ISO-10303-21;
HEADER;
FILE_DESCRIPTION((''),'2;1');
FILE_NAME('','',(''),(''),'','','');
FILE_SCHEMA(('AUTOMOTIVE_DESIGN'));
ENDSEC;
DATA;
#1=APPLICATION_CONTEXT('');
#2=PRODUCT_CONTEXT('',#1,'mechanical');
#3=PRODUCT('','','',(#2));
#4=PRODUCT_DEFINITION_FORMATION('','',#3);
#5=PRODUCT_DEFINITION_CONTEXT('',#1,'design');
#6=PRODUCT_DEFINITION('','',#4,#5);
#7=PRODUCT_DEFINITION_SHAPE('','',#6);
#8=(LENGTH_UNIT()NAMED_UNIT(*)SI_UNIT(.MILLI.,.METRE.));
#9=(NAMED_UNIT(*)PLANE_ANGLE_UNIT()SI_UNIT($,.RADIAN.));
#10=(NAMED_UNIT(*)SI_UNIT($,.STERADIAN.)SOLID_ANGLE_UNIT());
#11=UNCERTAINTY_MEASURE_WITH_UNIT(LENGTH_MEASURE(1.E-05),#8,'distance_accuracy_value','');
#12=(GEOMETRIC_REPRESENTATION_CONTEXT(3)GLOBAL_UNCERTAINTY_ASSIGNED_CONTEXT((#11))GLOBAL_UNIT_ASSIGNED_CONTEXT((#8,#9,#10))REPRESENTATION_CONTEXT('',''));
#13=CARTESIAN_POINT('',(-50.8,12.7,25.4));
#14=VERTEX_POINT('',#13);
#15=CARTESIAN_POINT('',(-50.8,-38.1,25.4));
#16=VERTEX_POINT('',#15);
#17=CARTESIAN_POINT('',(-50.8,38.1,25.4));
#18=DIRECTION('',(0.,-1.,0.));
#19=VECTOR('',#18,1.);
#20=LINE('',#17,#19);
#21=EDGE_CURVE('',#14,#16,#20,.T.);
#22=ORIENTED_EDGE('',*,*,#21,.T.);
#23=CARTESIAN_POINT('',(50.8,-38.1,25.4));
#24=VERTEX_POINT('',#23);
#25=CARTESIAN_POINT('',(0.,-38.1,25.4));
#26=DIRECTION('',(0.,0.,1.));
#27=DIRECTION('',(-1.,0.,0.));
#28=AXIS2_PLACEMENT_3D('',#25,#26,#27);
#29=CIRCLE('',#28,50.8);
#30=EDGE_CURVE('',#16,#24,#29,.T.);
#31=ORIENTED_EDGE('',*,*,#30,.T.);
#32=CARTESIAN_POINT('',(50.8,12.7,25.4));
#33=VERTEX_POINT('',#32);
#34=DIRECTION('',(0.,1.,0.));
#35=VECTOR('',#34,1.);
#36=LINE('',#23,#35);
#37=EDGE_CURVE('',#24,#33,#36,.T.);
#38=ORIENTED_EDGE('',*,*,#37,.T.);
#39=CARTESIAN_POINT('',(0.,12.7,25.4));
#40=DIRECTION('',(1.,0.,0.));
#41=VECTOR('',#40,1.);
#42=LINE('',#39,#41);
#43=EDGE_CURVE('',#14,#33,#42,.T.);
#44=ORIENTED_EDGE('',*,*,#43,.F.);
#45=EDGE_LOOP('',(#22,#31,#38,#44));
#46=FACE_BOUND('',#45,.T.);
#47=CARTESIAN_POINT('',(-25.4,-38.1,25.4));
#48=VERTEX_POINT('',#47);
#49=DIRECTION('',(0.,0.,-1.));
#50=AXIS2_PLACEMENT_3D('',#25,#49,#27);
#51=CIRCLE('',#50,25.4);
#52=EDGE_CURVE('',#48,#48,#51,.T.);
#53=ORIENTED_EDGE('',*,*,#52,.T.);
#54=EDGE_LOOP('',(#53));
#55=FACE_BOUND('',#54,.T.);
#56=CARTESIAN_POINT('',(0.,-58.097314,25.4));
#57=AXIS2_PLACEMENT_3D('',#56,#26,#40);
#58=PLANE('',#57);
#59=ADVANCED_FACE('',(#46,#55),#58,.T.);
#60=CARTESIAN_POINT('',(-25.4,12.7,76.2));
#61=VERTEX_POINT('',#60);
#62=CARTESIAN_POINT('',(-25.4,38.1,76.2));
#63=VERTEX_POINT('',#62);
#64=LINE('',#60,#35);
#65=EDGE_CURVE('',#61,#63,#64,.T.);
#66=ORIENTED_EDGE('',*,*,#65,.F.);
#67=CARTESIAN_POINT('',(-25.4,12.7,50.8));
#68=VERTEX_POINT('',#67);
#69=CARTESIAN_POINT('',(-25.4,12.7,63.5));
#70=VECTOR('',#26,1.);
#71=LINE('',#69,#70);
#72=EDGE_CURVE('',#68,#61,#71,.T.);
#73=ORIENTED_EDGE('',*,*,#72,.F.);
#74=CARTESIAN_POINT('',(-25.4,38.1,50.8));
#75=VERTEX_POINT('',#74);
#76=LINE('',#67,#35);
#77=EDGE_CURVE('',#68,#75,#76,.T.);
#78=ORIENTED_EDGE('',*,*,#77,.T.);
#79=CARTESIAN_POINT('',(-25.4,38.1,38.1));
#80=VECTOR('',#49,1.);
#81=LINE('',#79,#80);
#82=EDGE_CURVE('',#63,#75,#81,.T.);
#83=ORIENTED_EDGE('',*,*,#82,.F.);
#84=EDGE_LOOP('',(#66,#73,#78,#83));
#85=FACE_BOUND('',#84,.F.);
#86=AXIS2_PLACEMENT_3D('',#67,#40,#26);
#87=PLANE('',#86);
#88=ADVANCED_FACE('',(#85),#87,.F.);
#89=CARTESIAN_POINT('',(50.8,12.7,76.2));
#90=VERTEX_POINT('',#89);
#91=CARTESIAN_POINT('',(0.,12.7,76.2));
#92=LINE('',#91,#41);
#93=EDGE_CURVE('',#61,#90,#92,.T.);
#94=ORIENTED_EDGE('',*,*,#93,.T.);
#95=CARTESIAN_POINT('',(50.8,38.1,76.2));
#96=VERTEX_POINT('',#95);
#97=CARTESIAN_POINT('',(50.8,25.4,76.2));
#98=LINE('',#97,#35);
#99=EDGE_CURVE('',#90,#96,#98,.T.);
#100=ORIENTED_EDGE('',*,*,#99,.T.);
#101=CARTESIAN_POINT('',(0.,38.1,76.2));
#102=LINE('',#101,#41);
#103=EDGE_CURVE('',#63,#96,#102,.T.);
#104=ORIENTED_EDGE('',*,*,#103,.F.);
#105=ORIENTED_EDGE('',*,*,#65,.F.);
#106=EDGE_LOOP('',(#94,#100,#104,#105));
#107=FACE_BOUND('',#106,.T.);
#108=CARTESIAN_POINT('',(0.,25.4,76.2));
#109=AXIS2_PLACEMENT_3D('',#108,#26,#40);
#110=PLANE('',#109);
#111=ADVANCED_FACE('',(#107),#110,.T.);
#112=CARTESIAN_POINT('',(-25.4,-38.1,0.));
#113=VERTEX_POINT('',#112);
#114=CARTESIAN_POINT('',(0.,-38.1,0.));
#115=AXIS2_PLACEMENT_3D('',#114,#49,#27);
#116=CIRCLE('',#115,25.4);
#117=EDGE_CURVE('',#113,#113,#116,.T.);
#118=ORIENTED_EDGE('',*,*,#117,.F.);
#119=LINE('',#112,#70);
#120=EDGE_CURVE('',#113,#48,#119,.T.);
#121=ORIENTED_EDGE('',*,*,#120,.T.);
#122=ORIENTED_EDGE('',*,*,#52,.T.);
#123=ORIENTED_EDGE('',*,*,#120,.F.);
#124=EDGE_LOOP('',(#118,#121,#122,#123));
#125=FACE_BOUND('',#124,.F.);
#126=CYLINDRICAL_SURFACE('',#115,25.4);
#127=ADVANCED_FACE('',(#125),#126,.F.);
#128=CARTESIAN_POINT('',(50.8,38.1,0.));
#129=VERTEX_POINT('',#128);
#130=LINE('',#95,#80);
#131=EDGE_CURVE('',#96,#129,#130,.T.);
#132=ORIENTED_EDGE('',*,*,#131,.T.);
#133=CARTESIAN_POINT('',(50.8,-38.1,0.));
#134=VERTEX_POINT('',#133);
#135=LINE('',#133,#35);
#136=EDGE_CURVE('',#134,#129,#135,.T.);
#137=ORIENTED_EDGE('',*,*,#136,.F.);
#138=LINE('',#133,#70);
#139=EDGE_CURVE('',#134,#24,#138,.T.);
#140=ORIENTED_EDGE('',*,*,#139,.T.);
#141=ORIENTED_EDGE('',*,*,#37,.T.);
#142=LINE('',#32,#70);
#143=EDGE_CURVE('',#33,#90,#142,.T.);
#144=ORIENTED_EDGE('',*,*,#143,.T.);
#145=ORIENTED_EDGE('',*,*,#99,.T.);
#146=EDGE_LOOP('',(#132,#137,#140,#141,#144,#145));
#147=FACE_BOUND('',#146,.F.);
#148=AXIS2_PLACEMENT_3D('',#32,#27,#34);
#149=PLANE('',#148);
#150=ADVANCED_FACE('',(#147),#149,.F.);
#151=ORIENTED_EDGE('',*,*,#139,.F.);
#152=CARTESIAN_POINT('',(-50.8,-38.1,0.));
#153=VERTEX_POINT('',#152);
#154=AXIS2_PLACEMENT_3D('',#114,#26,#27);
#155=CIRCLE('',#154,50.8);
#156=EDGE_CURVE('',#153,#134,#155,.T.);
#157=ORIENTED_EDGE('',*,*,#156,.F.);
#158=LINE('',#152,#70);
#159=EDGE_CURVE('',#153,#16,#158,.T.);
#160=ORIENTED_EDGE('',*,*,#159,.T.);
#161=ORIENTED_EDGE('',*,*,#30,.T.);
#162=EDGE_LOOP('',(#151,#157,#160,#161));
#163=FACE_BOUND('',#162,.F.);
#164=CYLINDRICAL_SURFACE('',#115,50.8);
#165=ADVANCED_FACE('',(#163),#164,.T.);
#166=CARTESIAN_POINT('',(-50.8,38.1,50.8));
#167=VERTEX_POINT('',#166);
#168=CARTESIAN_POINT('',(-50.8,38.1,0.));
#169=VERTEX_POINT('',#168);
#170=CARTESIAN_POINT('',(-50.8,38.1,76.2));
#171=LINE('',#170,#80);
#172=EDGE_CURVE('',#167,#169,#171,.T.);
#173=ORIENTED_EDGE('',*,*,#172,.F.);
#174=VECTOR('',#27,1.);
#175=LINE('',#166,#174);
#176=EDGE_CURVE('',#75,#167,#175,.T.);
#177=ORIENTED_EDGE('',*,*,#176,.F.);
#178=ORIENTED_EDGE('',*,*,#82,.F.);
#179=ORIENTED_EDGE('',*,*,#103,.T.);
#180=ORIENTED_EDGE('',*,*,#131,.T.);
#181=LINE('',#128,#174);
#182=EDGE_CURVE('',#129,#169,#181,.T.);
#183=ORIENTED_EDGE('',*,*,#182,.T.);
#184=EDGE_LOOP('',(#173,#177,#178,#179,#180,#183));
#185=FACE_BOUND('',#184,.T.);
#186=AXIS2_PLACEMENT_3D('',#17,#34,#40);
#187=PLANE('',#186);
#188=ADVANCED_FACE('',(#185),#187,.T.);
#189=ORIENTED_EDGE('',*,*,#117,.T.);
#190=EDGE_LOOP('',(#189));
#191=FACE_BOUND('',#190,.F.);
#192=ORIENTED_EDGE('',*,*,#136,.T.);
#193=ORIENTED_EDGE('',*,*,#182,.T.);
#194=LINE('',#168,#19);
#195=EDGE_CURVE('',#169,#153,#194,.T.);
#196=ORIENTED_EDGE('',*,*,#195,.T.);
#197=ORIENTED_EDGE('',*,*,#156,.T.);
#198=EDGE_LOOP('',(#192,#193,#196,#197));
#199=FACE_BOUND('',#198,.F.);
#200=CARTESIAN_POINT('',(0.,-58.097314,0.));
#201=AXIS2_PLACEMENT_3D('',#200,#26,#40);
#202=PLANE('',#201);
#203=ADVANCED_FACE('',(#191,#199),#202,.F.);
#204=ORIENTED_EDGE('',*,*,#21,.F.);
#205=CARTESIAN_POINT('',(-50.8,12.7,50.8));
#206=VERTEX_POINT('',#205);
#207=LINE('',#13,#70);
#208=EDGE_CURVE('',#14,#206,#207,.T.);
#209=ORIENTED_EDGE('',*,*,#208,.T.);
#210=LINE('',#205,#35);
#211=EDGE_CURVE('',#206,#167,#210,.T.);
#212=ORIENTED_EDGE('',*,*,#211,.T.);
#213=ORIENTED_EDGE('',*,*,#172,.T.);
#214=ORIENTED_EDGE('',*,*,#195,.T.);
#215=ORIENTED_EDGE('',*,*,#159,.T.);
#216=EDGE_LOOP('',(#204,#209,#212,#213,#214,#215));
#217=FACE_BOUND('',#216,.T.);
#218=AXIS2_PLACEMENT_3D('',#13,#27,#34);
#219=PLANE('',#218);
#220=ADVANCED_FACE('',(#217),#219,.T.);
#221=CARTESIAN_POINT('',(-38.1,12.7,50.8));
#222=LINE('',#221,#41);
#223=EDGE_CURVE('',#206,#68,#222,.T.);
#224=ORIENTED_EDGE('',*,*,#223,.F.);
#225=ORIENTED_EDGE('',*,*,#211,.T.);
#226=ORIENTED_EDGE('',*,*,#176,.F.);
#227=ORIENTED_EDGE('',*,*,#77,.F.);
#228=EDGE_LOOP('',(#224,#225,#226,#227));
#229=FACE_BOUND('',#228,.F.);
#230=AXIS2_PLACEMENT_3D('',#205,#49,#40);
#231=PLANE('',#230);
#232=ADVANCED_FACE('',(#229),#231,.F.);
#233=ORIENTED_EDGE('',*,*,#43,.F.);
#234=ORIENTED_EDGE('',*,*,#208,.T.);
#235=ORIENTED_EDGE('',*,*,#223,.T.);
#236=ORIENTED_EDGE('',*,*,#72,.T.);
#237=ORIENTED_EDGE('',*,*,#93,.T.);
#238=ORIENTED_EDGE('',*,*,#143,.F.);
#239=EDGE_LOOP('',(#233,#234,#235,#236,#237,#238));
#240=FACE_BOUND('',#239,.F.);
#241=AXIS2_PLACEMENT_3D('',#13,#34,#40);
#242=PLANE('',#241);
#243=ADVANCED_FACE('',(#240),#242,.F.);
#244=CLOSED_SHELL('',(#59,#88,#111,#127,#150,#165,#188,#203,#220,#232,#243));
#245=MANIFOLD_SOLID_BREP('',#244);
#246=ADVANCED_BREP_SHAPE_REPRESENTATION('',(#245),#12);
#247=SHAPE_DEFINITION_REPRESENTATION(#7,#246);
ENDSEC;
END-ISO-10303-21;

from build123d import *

# Parameters (mm, degrees)
F1_DEPTH = 25.4
F2_W     = 101.6
F2_H     = 25.4
F3_DEPTH = 50.8
F4_W     = 25.4
F4_H     = 25.4
F5_DEPTH = 25.401


with BuildPart() as f1:
    # F0 (on Top) → F1 (new body)
    with BuildSketch(Plane.XY):
        with BuildLine():
            ThreePointArc((-50.8, -38.1), (0, -88.9), (50.8, -38.1))
            Line((50.8, -38.1), (25.4, -38.1))
            ThreePointArc((25.4, -38.1), (0, -63.5), (-25.4, -38.1))
            Line((-25.4, -38.1), (-50.8, -38.1))
        make_face()
        with BuildLine():
            ThreePointArc((-50.8, -38.1), (0, 12.7), (50.8, -38.1))
            Line((50.8, -38.1), (50.8, 38.1))
            Line((50.8, 38.1), (-50.8, 38.1))
            Line((-50.8, 38.1), (-50.8, -38.1))
        make_face()
        with BuildLine():
            Line((25.4, -38.1), (50.8, -38.1))
            ThreePointArc((50.8, -38.1), (0, 12.7), (-50.8, -38.1))
            Line((-50.8, -38.1), (-25.4, -38.1))
            ThreePointArc((-25.4, -38.1), (0, -12.7), (25.4, -38.1))
        make_face()
    extrude(amount=F1_DEPTH)

    # F2 (on face) → F3 (join)
    with BuildSketch(Plane.XY.offset(25.4)):
        with Locations((0, 25.4)):
            Rectangle(F2_W, F2_H)
    extrude(amount=F3_DEPTH)

    # F4 (on face) → F5 (cut, through all)
    with BuildSketch(Plane.XZ.offset(-12.7)):
        with Locations((-38.1, 63.5)):
            Rectangle(F4_W, F4_H)
    extrude(amount=-F5_DEPTH, mode=Mode.SUBTRACT)


solid = f1.part
